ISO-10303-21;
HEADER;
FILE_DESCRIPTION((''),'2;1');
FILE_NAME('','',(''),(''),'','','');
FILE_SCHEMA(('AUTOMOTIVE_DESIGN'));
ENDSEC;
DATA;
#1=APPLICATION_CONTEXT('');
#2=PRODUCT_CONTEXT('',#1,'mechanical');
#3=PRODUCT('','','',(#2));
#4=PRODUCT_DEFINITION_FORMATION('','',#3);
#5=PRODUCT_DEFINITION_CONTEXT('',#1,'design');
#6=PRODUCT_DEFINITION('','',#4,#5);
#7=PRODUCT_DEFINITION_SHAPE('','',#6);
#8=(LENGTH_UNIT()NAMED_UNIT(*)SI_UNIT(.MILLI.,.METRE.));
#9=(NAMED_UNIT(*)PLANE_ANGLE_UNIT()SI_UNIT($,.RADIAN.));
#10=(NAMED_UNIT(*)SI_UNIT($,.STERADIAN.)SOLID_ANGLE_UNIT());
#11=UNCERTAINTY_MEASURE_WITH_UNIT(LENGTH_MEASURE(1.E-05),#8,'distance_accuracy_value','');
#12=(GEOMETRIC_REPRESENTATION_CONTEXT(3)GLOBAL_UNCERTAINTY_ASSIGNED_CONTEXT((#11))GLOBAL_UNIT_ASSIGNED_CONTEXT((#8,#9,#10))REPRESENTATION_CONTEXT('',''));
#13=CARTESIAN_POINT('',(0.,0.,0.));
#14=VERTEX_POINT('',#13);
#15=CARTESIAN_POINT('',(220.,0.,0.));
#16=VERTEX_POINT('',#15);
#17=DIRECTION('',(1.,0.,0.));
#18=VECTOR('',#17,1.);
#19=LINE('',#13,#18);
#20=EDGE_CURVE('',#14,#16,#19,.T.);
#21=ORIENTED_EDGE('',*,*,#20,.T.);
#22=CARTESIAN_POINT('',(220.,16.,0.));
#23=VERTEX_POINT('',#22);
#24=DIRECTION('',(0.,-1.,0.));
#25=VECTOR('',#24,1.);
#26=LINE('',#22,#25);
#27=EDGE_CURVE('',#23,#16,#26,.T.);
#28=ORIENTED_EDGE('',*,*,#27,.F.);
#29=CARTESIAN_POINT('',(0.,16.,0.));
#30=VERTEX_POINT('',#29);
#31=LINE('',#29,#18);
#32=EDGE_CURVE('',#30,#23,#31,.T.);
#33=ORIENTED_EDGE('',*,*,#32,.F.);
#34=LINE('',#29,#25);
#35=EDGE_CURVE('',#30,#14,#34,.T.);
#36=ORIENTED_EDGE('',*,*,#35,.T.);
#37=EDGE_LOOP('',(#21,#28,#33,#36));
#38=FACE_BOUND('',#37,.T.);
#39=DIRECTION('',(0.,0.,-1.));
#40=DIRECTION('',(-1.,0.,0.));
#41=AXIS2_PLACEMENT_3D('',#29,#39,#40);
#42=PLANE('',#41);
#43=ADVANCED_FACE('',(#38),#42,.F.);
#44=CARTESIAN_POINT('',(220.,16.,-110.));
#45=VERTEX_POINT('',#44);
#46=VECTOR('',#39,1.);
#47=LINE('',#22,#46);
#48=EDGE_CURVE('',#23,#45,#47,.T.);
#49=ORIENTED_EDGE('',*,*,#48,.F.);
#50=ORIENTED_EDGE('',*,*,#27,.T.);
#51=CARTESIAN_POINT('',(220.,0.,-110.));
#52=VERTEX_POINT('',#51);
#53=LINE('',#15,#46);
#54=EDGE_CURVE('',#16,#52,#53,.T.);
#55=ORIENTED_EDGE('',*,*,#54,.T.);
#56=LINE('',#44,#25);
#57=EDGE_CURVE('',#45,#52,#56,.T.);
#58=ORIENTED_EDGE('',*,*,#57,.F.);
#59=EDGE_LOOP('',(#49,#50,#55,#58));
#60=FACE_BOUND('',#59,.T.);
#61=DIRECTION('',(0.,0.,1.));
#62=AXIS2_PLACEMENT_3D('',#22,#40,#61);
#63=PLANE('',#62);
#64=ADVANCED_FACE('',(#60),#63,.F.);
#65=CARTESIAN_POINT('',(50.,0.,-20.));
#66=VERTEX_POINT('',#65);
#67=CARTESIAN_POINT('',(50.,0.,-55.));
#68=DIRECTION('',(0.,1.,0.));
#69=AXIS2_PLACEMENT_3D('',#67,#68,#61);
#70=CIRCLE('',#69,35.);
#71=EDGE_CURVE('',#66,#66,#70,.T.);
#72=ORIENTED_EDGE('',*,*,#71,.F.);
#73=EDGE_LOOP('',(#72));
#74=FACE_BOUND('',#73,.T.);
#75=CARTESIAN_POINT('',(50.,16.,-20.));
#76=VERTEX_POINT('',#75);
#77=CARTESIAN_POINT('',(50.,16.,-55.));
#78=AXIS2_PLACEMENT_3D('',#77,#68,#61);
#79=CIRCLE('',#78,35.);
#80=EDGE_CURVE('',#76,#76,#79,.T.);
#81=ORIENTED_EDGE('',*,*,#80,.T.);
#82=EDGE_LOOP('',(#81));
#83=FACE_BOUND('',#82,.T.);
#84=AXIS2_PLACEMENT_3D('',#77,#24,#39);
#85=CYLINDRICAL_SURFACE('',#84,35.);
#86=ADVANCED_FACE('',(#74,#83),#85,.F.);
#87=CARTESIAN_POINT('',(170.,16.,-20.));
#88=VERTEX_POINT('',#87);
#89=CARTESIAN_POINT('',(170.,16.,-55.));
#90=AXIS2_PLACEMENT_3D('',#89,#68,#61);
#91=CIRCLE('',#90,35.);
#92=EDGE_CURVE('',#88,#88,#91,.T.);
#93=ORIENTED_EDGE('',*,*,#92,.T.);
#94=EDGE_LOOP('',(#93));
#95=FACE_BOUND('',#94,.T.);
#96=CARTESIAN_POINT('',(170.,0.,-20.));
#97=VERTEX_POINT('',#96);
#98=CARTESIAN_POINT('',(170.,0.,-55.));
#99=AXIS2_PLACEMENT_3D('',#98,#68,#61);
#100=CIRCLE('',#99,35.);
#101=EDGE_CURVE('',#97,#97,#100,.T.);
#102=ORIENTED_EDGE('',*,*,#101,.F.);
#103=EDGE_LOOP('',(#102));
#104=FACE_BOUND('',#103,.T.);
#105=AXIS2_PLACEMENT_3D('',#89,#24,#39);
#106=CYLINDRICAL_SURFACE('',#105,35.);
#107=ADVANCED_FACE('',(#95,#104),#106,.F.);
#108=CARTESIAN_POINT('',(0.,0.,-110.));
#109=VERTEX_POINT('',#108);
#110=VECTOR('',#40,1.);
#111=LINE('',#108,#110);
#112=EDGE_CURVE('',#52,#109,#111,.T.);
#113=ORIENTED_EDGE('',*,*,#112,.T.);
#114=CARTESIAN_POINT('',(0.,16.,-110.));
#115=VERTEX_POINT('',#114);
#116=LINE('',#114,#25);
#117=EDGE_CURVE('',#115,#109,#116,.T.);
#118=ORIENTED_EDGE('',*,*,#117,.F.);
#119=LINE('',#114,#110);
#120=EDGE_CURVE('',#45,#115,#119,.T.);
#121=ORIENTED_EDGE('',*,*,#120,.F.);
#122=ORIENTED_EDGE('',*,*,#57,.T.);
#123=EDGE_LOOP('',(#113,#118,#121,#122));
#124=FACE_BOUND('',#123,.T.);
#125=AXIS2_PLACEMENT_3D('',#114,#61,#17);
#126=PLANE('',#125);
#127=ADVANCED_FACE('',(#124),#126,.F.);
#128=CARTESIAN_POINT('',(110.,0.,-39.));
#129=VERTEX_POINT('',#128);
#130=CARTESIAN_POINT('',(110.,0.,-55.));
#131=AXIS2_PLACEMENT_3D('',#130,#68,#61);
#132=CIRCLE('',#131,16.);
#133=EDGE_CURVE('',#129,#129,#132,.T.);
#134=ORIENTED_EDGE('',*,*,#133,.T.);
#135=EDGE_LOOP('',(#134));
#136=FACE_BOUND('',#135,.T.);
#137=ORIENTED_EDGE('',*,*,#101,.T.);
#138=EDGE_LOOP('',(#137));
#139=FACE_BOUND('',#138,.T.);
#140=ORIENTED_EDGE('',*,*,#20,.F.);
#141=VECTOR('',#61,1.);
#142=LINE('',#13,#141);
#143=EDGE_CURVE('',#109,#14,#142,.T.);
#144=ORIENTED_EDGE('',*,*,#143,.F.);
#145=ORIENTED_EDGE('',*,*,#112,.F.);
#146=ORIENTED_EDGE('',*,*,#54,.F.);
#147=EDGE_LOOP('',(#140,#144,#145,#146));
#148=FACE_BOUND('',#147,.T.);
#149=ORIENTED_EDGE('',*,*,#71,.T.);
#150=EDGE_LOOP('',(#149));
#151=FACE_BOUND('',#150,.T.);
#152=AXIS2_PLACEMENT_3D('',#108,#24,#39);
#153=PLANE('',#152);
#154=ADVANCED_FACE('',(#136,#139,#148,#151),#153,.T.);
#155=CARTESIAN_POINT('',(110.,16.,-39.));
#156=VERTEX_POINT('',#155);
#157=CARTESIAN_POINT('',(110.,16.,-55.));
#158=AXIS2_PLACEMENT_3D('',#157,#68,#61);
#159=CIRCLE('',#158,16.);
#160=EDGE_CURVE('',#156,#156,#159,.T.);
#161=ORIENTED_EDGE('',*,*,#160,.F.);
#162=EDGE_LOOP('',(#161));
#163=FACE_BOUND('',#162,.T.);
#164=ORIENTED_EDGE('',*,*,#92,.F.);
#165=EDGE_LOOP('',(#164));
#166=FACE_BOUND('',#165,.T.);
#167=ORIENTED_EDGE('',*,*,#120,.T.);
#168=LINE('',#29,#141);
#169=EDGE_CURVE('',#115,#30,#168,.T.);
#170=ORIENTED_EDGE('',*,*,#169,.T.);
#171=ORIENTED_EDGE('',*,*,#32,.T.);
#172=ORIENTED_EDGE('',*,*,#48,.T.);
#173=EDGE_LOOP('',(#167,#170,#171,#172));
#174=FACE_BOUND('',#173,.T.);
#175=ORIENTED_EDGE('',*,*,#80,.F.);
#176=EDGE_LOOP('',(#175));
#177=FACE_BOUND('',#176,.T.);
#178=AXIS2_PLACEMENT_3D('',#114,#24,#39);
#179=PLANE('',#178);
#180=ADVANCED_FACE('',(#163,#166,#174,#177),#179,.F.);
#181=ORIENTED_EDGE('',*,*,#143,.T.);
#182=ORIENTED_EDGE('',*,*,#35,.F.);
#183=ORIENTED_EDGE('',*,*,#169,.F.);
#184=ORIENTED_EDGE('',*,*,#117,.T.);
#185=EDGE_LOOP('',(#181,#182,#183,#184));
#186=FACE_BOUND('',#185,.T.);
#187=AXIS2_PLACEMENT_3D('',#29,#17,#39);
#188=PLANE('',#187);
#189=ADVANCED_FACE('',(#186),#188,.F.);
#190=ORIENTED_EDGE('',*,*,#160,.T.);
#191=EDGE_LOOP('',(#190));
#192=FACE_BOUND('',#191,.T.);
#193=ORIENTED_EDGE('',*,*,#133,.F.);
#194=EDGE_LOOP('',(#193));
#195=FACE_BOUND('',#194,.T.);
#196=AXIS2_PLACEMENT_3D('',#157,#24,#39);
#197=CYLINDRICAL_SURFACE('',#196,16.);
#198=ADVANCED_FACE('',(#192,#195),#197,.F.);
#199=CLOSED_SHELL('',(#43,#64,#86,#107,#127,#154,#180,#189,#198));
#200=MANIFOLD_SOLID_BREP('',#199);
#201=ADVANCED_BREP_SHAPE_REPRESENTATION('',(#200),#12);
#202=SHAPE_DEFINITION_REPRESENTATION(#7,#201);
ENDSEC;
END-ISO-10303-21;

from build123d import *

# Parameters (mm, degrees)
SKETCH2_W           = 220
SKETCH2_H           = 110
SKETCH2_R           = 35
SKETCH2_R_2         = 16
BOSS_EXTRUDE1_DEPTH = 16


with BuildPart() as part:
    # Sketch2 → Boss-Extrude1 (new body)
    with BuildSketch(Plane(origin=(0, 0, 0), x_dir=(1, 0, 0), z_dir=(0, 1, 0))):
        with Locations((110, 55)):
            Rectangle(SKETCH2_W, SKETCH2_H)
        with Locations(Location((50, 55, 0), (0, 0, 270))):
            Circle(SKETCH2_R, mode=Mode.SUBTRACT)
        with Locations(Location((170, 55, 0), (0, 0, 270))):
            Circle(SKETCH2_R, mode=Mode.SUBTRACT)
        with Locations(Location((110, 55, 0), (0, 0, 270))):
            Circle(SKETCH2_R_2, mode=Mode.SUBTRACT)
    extrude(amount=BOSS_EXTRUDE1_DEPTH)


solid = part.part
